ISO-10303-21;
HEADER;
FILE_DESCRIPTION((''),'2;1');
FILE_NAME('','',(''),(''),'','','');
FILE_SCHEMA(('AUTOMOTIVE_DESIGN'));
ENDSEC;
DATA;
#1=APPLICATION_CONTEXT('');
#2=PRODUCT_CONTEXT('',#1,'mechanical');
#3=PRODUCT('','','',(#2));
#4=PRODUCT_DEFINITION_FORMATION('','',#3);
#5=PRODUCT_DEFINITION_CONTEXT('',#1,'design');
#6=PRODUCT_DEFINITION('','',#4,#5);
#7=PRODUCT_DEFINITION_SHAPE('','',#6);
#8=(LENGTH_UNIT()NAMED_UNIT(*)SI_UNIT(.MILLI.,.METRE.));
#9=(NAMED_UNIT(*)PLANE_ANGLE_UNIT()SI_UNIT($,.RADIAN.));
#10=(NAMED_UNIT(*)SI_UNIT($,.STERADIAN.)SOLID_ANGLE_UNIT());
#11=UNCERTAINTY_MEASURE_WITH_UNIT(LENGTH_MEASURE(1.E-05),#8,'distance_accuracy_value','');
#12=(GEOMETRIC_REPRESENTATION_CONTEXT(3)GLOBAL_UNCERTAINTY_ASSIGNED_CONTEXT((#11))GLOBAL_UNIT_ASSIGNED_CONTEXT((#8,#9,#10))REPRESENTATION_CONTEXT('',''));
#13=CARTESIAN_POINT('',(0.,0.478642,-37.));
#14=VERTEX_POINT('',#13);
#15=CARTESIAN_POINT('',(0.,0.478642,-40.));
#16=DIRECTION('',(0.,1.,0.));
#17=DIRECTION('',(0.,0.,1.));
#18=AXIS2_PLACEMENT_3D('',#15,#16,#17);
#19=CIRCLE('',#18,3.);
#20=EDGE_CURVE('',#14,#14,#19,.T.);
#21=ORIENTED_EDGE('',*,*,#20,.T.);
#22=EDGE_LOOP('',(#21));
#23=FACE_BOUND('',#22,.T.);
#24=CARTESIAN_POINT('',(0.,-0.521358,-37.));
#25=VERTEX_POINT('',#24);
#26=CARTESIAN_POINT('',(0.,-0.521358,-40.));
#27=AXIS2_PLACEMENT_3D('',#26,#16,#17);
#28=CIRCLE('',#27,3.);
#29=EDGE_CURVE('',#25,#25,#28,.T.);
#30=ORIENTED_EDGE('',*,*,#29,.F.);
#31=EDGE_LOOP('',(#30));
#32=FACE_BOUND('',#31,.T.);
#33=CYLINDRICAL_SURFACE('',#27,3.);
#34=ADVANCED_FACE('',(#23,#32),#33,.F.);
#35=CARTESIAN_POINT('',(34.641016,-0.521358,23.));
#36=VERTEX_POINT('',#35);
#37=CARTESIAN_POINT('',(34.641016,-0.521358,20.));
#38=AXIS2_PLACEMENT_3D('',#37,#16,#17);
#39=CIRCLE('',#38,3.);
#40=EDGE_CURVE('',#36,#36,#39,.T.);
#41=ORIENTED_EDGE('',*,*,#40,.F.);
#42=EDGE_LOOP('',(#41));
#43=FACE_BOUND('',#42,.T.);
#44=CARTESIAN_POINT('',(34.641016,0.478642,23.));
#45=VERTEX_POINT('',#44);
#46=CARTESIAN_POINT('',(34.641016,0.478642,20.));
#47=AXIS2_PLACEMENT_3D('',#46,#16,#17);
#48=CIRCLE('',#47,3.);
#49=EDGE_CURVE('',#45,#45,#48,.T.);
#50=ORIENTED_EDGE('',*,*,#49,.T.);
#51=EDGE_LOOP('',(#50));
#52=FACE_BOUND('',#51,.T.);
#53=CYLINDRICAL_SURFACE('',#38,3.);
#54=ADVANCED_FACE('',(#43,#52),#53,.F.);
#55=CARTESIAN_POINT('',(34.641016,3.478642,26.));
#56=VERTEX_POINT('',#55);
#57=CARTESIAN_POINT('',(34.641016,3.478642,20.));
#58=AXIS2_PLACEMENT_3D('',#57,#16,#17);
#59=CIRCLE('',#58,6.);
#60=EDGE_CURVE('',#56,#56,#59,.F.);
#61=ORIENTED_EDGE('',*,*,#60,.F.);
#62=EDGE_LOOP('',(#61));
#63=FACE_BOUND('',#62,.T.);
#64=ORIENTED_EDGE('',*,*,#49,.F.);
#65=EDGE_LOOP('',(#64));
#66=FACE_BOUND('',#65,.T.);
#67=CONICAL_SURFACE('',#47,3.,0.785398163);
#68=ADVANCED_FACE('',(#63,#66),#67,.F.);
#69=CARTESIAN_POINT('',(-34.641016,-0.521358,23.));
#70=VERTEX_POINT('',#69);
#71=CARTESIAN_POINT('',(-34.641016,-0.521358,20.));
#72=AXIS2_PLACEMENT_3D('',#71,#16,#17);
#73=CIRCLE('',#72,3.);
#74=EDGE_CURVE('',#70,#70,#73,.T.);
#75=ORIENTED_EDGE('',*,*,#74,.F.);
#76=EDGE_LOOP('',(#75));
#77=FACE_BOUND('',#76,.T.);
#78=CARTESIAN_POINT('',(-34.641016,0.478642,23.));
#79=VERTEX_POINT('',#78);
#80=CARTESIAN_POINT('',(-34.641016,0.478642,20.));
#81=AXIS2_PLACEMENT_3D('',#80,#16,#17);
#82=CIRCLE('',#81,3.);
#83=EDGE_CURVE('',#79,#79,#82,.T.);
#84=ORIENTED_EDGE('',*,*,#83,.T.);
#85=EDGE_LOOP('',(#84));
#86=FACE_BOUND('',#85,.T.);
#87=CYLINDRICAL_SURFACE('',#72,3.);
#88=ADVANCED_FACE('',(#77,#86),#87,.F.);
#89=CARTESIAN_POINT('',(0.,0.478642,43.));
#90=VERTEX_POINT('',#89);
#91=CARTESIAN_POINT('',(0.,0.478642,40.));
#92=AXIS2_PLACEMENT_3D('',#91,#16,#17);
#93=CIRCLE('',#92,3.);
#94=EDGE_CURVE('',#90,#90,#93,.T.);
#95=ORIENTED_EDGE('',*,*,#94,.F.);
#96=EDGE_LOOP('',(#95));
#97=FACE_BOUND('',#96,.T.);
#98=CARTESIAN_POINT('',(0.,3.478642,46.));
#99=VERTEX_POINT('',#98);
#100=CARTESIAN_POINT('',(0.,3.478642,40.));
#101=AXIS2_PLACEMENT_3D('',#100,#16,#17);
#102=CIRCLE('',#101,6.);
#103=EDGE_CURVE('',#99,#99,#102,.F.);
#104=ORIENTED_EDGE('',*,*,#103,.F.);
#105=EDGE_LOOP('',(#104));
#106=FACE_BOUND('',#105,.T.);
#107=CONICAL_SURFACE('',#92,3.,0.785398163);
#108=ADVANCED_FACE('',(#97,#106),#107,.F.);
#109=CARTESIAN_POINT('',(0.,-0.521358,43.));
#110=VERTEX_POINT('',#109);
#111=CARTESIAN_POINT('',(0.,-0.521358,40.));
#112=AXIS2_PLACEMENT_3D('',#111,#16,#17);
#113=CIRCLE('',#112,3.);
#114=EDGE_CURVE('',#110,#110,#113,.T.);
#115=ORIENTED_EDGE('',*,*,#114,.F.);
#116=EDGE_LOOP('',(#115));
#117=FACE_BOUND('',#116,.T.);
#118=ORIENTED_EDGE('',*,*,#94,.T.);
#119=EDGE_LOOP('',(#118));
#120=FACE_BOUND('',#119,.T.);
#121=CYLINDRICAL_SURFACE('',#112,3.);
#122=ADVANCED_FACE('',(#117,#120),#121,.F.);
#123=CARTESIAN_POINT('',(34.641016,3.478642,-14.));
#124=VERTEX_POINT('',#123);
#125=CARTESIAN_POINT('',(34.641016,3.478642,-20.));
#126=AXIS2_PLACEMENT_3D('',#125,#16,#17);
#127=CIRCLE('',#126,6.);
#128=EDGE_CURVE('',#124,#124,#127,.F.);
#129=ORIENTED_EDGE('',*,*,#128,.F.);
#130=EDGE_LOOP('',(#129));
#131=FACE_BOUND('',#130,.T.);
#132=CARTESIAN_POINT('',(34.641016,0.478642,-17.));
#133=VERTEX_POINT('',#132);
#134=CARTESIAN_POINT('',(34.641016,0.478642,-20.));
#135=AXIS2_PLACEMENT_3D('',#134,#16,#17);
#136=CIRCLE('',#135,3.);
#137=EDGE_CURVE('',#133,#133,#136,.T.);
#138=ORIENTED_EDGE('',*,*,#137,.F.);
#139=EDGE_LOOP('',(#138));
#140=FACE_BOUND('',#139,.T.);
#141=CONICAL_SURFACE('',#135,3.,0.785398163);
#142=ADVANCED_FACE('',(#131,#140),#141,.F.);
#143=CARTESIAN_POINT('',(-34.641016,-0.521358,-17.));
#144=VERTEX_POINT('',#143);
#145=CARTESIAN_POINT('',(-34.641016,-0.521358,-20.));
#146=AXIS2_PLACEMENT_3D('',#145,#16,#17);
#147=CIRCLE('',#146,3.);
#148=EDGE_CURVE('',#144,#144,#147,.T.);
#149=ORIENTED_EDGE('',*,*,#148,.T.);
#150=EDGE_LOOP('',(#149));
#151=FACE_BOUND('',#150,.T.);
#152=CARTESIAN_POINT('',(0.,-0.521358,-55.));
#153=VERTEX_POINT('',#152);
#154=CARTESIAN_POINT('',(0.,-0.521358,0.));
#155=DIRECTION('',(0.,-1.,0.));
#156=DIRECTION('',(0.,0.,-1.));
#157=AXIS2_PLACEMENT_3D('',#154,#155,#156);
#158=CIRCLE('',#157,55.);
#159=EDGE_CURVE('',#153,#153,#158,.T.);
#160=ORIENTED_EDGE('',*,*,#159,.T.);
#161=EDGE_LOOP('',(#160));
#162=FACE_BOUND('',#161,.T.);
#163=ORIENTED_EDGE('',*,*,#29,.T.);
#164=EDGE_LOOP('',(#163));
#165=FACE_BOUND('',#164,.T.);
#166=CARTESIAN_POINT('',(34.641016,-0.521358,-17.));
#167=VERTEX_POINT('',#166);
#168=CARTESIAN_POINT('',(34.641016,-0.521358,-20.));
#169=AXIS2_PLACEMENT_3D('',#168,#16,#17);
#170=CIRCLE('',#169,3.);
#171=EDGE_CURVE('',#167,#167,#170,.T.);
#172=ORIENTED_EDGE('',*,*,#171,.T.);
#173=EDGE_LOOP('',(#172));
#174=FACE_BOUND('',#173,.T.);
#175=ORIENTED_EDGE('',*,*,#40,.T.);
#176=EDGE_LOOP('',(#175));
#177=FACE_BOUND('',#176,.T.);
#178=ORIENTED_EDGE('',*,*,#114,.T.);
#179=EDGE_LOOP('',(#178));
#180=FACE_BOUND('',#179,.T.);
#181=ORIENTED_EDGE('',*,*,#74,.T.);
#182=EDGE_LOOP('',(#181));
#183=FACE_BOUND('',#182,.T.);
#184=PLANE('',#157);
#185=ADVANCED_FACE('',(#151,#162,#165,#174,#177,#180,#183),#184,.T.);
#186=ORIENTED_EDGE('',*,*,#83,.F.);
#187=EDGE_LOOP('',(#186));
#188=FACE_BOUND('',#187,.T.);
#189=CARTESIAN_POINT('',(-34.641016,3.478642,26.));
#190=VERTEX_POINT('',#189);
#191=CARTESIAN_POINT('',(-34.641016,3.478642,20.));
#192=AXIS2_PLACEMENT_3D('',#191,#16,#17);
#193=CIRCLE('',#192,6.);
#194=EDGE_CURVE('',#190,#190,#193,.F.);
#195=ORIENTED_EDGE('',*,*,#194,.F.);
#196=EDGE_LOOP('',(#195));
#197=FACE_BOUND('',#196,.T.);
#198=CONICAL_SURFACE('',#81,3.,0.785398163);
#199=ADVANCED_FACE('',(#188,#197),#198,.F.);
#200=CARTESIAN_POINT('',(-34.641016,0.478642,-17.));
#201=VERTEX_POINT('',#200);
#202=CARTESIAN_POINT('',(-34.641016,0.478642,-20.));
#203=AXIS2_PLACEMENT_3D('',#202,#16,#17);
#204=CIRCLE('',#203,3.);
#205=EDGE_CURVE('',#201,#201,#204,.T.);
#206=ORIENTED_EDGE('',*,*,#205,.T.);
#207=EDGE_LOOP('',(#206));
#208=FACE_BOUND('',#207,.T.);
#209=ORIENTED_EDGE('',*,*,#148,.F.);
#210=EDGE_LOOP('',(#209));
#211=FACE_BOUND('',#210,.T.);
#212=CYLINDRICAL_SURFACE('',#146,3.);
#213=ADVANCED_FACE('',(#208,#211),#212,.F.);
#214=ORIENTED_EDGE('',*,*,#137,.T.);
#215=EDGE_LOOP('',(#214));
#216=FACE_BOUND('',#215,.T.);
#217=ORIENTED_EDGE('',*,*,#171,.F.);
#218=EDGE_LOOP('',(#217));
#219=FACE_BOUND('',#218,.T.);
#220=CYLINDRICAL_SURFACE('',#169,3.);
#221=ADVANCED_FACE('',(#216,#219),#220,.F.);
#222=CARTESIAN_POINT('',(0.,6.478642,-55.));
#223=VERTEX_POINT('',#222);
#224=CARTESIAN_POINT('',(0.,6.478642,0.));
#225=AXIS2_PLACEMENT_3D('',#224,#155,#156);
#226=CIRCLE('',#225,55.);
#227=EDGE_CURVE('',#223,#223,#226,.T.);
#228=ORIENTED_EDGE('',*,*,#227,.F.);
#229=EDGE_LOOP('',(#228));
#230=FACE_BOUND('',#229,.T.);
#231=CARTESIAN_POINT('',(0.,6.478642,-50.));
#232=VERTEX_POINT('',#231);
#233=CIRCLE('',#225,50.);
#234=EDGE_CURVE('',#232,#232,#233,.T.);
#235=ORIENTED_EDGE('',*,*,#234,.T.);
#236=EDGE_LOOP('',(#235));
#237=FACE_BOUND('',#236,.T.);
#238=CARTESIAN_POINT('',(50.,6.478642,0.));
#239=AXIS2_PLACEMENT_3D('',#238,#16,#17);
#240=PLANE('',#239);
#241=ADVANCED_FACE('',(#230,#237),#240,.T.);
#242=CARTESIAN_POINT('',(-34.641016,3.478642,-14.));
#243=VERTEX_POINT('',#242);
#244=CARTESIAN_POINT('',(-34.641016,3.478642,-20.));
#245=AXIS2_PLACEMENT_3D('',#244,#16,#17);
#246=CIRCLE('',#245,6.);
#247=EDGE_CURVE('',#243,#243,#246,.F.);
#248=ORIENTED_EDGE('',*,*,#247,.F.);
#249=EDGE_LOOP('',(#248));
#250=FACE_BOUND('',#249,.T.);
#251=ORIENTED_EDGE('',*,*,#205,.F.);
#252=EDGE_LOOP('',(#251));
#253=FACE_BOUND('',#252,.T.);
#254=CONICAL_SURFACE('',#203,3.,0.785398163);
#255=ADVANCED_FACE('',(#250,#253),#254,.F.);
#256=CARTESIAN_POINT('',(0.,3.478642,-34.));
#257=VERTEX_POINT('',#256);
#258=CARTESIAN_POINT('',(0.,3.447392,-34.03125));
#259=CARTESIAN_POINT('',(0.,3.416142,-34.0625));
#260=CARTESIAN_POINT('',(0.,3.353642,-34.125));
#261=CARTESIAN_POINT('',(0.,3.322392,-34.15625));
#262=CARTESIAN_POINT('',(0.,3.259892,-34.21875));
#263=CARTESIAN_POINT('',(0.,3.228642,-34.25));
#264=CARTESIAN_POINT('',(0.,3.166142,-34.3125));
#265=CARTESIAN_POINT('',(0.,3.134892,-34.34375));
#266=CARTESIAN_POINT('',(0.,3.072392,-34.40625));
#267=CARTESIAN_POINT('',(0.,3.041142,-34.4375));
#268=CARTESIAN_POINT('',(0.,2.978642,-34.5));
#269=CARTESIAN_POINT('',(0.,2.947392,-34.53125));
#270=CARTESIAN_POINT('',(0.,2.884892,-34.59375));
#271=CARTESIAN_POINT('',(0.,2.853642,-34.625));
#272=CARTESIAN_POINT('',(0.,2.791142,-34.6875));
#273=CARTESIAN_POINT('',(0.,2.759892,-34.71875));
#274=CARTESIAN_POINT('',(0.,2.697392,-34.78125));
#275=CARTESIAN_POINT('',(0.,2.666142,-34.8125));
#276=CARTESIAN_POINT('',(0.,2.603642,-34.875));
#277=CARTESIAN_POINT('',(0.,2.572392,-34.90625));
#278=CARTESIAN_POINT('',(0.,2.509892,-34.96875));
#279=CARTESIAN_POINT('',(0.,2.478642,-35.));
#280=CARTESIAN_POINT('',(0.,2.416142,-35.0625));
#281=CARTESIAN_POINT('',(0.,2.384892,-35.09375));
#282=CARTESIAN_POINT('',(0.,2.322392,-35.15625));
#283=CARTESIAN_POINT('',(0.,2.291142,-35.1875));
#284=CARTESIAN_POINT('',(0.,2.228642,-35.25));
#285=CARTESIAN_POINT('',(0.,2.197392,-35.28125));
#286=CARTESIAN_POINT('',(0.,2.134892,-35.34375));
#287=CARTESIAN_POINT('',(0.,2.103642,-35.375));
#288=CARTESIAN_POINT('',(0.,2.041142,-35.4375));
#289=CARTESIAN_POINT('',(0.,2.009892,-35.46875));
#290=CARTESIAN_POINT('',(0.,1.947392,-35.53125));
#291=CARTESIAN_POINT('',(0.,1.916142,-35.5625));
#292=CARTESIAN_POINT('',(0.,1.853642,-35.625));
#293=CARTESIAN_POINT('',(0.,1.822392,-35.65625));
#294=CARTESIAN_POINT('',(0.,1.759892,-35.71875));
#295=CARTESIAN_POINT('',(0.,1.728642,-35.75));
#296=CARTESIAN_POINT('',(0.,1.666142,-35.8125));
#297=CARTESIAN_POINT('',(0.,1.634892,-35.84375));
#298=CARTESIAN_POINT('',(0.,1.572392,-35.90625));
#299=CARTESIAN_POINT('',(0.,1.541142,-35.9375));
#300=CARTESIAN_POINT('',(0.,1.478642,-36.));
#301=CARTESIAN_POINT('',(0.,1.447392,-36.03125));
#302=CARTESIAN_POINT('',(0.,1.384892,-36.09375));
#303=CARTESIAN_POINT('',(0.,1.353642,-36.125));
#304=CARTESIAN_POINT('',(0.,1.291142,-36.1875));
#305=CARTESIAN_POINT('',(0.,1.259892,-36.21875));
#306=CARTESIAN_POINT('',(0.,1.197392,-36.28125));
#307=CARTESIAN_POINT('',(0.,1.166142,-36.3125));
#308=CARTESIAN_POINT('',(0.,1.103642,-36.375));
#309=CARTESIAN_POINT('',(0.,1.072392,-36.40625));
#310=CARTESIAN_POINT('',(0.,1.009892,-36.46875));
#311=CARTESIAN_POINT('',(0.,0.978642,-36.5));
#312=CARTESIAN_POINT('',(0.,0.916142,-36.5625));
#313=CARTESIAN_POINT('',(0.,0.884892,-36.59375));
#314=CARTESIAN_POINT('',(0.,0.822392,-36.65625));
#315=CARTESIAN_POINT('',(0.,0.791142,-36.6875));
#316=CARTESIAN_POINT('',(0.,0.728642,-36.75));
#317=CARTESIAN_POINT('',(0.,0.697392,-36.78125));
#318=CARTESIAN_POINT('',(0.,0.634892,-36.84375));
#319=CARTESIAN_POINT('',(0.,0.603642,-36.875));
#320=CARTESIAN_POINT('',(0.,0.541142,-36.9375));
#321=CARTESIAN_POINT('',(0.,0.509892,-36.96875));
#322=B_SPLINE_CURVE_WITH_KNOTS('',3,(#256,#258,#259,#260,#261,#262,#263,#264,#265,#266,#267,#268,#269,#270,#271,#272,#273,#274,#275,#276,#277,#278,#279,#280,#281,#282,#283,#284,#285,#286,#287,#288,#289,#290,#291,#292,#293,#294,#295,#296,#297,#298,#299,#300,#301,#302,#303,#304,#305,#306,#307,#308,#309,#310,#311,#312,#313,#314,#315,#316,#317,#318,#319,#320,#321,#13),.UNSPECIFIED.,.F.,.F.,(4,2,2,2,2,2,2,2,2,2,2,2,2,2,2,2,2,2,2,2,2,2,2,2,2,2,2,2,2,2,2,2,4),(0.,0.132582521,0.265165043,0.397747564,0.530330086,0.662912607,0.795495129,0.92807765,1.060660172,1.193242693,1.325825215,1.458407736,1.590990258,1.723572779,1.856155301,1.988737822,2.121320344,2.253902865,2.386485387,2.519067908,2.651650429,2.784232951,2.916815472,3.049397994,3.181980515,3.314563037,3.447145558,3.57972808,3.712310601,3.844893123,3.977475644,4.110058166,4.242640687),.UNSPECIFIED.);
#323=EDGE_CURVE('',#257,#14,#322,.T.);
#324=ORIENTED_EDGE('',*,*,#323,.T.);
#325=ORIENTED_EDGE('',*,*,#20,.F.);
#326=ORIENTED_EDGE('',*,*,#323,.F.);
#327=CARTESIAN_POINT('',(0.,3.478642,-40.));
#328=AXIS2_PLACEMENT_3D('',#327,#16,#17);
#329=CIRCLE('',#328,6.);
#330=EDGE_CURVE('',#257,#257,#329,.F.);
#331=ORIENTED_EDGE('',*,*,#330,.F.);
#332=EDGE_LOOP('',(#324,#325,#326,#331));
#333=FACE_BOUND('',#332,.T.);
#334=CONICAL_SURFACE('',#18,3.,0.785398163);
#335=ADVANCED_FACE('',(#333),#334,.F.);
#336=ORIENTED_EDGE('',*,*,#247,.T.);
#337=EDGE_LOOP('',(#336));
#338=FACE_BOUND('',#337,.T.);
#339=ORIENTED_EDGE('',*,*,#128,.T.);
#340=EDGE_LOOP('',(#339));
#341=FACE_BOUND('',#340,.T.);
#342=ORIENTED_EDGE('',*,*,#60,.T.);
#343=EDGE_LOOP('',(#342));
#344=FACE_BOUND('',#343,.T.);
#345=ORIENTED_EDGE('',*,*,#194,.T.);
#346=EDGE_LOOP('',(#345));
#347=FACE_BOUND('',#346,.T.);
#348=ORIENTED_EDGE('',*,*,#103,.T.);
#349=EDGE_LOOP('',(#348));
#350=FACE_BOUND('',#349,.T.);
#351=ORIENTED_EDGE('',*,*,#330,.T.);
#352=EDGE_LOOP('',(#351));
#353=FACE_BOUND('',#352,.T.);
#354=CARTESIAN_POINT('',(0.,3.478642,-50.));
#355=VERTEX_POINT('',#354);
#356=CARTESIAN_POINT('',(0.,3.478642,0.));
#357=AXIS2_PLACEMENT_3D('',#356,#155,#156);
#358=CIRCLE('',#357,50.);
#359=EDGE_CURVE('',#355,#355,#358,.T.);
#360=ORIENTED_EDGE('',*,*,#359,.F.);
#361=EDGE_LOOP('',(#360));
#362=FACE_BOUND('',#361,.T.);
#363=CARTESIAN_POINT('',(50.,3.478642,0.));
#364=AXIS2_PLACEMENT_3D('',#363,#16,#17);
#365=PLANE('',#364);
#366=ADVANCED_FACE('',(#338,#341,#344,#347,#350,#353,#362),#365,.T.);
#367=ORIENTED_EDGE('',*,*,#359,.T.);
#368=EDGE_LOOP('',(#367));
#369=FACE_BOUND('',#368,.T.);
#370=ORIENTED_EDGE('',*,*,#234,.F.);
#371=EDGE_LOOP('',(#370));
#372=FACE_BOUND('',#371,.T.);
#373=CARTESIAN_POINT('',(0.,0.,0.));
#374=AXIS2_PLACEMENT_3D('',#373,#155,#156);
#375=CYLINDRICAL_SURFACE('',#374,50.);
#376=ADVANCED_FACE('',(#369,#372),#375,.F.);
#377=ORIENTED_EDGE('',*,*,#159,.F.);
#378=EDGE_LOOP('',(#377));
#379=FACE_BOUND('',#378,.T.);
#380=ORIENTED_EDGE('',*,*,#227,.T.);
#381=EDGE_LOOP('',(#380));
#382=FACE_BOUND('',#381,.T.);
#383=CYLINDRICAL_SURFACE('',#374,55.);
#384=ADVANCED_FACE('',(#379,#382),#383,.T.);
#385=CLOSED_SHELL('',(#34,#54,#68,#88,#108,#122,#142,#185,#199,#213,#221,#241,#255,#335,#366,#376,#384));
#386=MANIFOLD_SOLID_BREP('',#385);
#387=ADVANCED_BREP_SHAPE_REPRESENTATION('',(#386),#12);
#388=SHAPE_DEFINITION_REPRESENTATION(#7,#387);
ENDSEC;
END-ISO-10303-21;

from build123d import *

# Parameters (mm, degrees)
SKETCH2_R          = 3
CUT_EXTRUDE1_DEPTH = 78.884529914
CHAMFER1_SIZE      = 3


with BuildPart() as part:
    # Sketch1 → Revolve1 (revolve)
    with BuildSketch(Plane.XY, mode=Mode.PRIVATE) as revolve1_sk:
        Polygon((50, 3.478641915), (50, 6.478641915), (55, 6.478641915), (55, -0.521358085), (0, -0.521358085), (0, 3.478641915), align=None)
    revolve(revolve1_sk.sketch.rotate(Axis((0, 0, 0), (0, 1, 0)), 90), axis=Axis((0, 0, 0), (0, 1, 0)))

    # Sketch2 → Cut-Extrude1 (cut, through all)
    with BuildSketch(Plane(origin=(0, 3.478641915, 0), x_dir=(1, 0, 0), z_dir=(0, 1, 0))):
        with Locations(Location((0, 40, 0), (0, 0, 270))):
            Circle(SKETCH2_R)
        with Locations(Location((34.641016151, 20, 0), (0, 0, 270))):
            Circle(SKETCH2_R)
        with Locations(Location((34.641016151, -20, 0), (0, 0, 270))):
            Circle(SKETCH2_R)
        with Locations(Location((0, -40, 0), (0, 0, 270))):
            Circle(SKETCH2_R)
        with Locations(Location((-34.641016151, -20, 0), (0, 0, 270))):
            Circle(SKETCH2_R)
        with Locations(Location((-34.641016151, 20, 0), (0, 0, 270))):
            Circle(SKETCH2_R)
    extrude(amount=-CUT_EXTRUDE1_DEPTH, mode=Mode.SUBTRACT)

    # Chamfer1
    chamfer1_edges = [part.edges().sort_by_distance(p)[0] for p in [
        (0, 3.478641915, -43),
        (-34.641016151, 3.478641915, -23),
        (-34.641016151, 3.478641915, 17),
        (0, 3.478641915, 37),
        (34.641016151, 3.478641915, 17),
        (34.641016151, 3.478641915, -23),
    ]]
    chamfer(chamfer1_edges, length=CHAMFER1_SIZE)


solid = part.part
